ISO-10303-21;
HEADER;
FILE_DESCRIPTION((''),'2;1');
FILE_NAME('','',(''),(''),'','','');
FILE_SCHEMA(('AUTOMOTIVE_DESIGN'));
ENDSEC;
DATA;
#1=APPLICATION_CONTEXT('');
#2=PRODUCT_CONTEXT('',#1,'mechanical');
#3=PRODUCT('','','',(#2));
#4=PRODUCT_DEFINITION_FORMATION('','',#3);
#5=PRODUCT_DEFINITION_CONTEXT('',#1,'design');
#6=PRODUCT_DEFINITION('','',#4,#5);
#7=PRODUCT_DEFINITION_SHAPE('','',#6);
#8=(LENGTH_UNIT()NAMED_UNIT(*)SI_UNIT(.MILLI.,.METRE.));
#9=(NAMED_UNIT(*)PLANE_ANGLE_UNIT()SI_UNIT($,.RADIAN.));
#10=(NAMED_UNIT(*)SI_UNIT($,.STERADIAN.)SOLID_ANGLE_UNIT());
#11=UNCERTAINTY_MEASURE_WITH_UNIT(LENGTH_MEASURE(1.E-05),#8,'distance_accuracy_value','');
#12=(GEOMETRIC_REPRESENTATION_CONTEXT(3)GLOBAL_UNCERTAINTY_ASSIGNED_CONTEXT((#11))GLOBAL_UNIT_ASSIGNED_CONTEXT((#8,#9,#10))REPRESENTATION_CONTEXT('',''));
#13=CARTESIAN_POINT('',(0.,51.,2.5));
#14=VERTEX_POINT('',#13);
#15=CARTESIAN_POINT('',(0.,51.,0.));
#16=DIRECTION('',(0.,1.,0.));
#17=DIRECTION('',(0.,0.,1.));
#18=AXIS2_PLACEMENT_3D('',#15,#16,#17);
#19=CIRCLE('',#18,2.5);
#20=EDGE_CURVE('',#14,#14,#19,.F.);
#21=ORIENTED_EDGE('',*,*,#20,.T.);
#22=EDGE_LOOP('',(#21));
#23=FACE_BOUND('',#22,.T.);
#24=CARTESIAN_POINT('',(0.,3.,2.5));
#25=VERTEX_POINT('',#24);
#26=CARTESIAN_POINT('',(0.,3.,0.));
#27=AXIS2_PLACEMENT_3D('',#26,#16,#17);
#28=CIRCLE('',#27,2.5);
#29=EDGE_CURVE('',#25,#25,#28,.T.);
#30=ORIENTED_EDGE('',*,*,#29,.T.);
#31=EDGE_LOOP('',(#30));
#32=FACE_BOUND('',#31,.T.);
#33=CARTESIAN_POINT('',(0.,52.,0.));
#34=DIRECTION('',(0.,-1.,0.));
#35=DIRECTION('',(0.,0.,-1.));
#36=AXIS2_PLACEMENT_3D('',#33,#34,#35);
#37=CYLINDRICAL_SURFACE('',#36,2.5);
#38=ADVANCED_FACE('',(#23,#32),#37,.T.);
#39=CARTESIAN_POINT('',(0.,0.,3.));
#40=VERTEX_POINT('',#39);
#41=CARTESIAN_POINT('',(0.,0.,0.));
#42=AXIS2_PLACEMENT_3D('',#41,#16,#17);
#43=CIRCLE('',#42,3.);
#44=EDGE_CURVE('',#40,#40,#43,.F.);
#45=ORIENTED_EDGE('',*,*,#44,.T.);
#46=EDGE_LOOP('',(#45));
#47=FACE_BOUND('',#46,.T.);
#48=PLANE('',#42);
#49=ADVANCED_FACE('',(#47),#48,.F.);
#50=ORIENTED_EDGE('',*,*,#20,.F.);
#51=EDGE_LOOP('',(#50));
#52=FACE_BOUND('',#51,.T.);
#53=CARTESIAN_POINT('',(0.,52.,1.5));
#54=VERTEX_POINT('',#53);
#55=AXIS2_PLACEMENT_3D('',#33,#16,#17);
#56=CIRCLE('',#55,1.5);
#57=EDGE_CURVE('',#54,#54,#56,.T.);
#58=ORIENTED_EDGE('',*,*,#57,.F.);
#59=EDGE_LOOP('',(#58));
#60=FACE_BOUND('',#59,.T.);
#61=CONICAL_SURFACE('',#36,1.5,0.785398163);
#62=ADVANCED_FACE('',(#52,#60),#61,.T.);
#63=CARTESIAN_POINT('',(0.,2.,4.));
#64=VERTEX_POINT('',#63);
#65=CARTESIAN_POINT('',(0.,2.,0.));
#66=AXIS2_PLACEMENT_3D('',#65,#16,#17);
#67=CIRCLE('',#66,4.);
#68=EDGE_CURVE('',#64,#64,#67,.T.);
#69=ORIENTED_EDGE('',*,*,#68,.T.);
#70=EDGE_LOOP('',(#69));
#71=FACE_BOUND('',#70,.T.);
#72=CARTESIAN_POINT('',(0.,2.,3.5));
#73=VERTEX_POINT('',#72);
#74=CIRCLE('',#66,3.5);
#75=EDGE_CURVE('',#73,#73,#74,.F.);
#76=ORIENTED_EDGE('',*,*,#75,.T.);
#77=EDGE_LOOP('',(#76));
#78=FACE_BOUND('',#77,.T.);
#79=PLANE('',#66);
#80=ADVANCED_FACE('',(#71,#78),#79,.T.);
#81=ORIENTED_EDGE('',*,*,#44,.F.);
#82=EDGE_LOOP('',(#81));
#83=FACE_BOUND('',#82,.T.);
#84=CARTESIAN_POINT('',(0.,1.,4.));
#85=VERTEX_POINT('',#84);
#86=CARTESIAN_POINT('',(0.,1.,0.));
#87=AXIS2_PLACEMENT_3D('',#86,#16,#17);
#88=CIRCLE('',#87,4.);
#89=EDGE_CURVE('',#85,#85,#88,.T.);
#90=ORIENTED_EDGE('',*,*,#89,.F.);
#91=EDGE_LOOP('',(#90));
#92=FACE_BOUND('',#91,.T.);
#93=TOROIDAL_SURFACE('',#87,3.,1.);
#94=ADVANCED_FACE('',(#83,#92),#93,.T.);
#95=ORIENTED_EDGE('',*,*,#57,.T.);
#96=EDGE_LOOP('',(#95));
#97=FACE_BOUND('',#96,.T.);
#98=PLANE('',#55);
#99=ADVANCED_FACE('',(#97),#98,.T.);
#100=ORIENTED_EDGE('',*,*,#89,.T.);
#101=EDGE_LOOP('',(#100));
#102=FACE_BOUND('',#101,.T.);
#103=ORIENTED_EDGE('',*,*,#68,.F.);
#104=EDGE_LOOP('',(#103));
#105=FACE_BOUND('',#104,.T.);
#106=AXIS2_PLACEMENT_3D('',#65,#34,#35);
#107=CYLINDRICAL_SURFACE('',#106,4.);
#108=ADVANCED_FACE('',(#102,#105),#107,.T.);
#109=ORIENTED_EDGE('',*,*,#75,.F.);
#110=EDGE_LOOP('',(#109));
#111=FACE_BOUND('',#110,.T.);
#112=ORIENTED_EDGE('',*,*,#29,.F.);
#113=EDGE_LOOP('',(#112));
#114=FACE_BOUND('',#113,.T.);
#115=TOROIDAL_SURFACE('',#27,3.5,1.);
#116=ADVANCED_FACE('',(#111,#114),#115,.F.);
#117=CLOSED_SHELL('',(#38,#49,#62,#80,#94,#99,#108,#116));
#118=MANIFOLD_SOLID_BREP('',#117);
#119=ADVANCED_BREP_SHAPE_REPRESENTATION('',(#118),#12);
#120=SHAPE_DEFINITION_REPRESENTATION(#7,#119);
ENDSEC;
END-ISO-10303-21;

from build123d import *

# Parameters (mm, degrees)
SKETCH1_R           = 4
BOSS_EXTRUDE1_DEPTH = 2
SKETCH2_R           = 2.5
BOSS_EXTRUDE2_DEPTH = 50
FILLET1_R           = 1
CHAMFER1_SIZE       = 1
FILLET2_R           = 1


with BuildPart() as part:
    # Sketch1 → Boss-Extrude1 (new body)
    with BuildSketch(Plane(origin=(0, 0, 0), x_dir=(1, 0, 0), z_dir=(0, 1, 0))):
        with Locations(Location((0, 0, 0), (0, 0, 270))):
            Circle(SKETCH1_R)
    extrude(amount=BOSS_EXTRUDE1_DEPTH)

    # Sketch2 → Boss-Extrude2 (add)
    with BuildSketch(Plane(origin=(0, 2, 0), x_dir=(1, 0, 0), z_dir=(0, 1, 0))):
        with Locations(Location((0, 0, 0), (0, 0, 270))):
            Circle(SKETCH2_R)
    extrude(amount=BOSS_EXTRUDE2_DEPTH)

    # Fillet1
    fillet1_edges = [part.edges().sort_by_distance(p)[0] for p in [
        (0, 2, -2.5),
    ]]
    fillet(fillet1_edges, radius=FILLET1_R)

    # Chamfer1
    chamfer1_edges = [part.edges().sort_by_distance(p)[0] for p in [
        (0, 52, -2.5),
    ]]
    chamfer(chamfer1_edges, length=CHAMFER1_SIZE)

    # Fillet2
    fillet2_edges = [part.edges().sort_by_distance(p)[0] for p in [
        (0, 0, -4),
    ]]
    fillet(fillet2_edges, radius=FILLET2_R)


solid = part.part
